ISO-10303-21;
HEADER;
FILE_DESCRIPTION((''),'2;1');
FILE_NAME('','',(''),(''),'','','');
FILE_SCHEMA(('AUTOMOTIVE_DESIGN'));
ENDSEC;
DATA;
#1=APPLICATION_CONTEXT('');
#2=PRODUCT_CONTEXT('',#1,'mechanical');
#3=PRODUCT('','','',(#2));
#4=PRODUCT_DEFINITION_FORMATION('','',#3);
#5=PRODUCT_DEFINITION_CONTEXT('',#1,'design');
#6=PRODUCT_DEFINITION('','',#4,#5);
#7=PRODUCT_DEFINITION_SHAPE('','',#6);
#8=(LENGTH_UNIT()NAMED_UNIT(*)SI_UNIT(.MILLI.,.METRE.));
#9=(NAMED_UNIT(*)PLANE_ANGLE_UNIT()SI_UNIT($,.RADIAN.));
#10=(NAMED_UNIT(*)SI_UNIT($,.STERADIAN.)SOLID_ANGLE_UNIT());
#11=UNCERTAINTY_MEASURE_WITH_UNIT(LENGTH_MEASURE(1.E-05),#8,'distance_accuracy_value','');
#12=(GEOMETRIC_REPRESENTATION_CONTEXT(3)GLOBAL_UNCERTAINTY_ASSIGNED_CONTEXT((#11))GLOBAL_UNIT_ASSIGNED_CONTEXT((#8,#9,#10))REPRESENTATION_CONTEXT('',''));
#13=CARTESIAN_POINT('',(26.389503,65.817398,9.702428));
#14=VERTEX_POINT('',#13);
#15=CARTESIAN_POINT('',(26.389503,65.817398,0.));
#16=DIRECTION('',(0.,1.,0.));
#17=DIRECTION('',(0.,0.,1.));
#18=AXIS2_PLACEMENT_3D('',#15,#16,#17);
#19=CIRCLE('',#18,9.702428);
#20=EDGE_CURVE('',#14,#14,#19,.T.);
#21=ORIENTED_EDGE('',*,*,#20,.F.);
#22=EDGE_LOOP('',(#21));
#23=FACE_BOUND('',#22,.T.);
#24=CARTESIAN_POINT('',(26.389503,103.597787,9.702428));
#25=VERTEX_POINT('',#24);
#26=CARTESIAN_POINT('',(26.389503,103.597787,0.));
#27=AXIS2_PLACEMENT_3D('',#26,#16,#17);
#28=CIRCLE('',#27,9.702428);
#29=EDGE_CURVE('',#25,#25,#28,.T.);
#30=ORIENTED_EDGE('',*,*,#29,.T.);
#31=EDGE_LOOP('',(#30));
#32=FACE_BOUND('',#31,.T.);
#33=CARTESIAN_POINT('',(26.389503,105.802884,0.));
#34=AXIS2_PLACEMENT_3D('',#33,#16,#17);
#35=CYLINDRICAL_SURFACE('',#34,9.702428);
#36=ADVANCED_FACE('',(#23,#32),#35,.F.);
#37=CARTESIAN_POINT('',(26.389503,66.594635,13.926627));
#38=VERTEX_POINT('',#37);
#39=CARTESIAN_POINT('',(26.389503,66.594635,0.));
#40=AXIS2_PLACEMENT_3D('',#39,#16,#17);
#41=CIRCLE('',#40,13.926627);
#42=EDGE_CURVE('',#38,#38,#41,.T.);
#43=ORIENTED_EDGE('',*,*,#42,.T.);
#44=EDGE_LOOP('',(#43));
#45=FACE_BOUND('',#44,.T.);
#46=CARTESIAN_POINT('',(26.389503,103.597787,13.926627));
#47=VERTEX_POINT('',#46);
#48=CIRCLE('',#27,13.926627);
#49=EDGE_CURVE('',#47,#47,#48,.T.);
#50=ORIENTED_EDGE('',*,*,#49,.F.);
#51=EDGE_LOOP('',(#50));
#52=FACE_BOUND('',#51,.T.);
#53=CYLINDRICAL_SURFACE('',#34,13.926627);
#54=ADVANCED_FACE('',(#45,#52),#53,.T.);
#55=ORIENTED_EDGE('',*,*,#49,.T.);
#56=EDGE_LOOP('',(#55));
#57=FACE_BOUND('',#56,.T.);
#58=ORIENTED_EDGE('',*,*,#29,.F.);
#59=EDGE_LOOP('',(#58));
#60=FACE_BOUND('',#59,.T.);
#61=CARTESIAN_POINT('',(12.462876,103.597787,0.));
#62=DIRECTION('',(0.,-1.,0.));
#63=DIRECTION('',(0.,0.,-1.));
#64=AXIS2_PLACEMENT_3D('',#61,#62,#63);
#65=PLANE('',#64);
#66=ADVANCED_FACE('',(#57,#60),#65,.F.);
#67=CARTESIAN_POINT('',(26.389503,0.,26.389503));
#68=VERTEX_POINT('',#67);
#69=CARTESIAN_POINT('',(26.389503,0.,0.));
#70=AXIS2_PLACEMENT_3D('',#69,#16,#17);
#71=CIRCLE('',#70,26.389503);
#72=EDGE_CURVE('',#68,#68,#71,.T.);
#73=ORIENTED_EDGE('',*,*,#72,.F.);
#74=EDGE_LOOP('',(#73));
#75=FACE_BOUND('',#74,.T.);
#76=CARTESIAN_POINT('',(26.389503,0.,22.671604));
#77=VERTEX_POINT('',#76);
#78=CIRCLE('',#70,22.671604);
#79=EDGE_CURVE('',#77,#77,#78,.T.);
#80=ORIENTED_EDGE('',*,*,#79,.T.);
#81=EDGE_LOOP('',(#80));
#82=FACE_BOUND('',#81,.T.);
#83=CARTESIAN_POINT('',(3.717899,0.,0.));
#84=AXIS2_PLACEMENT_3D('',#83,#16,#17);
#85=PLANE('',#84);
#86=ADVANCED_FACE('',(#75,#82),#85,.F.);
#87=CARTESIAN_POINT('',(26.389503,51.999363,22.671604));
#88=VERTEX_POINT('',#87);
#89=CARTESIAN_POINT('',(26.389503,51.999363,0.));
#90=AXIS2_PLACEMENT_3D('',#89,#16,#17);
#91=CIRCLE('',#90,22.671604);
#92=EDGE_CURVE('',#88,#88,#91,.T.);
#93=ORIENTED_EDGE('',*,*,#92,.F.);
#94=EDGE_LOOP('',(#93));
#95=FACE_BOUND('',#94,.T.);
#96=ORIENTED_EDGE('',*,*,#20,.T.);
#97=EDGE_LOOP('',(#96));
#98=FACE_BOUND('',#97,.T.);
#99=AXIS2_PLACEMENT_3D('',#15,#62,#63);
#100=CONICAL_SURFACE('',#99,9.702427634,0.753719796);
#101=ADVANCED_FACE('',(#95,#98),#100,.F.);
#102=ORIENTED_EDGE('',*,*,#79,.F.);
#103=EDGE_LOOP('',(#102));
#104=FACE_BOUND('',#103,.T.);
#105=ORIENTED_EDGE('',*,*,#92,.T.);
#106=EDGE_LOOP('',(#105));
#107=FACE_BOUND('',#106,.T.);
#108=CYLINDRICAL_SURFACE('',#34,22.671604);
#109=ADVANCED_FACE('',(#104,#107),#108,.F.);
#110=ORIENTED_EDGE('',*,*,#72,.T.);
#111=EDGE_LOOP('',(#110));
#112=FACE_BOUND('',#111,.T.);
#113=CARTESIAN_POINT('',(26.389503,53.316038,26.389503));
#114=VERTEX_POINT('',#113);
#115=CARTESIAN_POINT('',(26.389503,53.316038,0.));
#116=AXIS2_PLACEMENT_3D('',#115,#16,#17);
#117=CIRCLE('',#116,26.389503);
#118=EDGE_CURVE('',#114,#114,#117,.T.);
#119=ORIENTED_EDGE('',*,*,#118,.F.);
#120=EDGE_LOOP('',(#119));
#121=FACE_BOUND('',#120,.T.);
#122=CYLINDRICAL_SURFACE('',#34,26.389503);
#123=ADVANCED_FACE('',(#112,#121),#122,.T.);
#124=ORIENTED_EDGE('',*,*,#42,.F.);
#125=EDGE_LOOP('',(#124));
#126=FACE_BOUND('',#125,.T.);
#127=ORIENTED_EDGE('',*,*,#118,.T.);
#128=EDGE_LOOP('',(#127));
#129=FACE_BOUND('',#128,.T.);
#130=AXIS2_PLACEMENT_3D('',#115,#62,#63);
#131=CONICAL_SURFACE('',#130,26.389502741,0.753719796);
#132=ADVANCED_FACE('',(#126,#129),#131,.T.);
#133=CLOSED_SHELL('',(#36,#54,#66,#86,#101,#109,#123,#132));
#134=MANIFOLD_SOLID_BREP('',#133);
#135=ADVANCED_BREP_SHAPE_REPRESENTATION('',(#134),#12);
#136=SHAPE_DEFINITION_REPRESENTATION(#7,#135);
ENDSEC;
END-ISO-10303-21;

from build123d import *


with BuildPart() as part:
    # Esquisse1 → Révolution1 (revolve)
    with BuildSketch(Plane.XY):
        Polygon((0, 0), (0, 53.316037736), (12.462876168, 66.594634639), (12.462876168, 103.597786518), (16.687075107, 103.597786518), (16.687075107, 65.817397653), (3.717899157, 51.999362612), (3.717899157, 0), align=None)
    revolve(axis=Axis((26.389502741, 105.802883707, 0), (0, -1, 0)))


solid = part.part
